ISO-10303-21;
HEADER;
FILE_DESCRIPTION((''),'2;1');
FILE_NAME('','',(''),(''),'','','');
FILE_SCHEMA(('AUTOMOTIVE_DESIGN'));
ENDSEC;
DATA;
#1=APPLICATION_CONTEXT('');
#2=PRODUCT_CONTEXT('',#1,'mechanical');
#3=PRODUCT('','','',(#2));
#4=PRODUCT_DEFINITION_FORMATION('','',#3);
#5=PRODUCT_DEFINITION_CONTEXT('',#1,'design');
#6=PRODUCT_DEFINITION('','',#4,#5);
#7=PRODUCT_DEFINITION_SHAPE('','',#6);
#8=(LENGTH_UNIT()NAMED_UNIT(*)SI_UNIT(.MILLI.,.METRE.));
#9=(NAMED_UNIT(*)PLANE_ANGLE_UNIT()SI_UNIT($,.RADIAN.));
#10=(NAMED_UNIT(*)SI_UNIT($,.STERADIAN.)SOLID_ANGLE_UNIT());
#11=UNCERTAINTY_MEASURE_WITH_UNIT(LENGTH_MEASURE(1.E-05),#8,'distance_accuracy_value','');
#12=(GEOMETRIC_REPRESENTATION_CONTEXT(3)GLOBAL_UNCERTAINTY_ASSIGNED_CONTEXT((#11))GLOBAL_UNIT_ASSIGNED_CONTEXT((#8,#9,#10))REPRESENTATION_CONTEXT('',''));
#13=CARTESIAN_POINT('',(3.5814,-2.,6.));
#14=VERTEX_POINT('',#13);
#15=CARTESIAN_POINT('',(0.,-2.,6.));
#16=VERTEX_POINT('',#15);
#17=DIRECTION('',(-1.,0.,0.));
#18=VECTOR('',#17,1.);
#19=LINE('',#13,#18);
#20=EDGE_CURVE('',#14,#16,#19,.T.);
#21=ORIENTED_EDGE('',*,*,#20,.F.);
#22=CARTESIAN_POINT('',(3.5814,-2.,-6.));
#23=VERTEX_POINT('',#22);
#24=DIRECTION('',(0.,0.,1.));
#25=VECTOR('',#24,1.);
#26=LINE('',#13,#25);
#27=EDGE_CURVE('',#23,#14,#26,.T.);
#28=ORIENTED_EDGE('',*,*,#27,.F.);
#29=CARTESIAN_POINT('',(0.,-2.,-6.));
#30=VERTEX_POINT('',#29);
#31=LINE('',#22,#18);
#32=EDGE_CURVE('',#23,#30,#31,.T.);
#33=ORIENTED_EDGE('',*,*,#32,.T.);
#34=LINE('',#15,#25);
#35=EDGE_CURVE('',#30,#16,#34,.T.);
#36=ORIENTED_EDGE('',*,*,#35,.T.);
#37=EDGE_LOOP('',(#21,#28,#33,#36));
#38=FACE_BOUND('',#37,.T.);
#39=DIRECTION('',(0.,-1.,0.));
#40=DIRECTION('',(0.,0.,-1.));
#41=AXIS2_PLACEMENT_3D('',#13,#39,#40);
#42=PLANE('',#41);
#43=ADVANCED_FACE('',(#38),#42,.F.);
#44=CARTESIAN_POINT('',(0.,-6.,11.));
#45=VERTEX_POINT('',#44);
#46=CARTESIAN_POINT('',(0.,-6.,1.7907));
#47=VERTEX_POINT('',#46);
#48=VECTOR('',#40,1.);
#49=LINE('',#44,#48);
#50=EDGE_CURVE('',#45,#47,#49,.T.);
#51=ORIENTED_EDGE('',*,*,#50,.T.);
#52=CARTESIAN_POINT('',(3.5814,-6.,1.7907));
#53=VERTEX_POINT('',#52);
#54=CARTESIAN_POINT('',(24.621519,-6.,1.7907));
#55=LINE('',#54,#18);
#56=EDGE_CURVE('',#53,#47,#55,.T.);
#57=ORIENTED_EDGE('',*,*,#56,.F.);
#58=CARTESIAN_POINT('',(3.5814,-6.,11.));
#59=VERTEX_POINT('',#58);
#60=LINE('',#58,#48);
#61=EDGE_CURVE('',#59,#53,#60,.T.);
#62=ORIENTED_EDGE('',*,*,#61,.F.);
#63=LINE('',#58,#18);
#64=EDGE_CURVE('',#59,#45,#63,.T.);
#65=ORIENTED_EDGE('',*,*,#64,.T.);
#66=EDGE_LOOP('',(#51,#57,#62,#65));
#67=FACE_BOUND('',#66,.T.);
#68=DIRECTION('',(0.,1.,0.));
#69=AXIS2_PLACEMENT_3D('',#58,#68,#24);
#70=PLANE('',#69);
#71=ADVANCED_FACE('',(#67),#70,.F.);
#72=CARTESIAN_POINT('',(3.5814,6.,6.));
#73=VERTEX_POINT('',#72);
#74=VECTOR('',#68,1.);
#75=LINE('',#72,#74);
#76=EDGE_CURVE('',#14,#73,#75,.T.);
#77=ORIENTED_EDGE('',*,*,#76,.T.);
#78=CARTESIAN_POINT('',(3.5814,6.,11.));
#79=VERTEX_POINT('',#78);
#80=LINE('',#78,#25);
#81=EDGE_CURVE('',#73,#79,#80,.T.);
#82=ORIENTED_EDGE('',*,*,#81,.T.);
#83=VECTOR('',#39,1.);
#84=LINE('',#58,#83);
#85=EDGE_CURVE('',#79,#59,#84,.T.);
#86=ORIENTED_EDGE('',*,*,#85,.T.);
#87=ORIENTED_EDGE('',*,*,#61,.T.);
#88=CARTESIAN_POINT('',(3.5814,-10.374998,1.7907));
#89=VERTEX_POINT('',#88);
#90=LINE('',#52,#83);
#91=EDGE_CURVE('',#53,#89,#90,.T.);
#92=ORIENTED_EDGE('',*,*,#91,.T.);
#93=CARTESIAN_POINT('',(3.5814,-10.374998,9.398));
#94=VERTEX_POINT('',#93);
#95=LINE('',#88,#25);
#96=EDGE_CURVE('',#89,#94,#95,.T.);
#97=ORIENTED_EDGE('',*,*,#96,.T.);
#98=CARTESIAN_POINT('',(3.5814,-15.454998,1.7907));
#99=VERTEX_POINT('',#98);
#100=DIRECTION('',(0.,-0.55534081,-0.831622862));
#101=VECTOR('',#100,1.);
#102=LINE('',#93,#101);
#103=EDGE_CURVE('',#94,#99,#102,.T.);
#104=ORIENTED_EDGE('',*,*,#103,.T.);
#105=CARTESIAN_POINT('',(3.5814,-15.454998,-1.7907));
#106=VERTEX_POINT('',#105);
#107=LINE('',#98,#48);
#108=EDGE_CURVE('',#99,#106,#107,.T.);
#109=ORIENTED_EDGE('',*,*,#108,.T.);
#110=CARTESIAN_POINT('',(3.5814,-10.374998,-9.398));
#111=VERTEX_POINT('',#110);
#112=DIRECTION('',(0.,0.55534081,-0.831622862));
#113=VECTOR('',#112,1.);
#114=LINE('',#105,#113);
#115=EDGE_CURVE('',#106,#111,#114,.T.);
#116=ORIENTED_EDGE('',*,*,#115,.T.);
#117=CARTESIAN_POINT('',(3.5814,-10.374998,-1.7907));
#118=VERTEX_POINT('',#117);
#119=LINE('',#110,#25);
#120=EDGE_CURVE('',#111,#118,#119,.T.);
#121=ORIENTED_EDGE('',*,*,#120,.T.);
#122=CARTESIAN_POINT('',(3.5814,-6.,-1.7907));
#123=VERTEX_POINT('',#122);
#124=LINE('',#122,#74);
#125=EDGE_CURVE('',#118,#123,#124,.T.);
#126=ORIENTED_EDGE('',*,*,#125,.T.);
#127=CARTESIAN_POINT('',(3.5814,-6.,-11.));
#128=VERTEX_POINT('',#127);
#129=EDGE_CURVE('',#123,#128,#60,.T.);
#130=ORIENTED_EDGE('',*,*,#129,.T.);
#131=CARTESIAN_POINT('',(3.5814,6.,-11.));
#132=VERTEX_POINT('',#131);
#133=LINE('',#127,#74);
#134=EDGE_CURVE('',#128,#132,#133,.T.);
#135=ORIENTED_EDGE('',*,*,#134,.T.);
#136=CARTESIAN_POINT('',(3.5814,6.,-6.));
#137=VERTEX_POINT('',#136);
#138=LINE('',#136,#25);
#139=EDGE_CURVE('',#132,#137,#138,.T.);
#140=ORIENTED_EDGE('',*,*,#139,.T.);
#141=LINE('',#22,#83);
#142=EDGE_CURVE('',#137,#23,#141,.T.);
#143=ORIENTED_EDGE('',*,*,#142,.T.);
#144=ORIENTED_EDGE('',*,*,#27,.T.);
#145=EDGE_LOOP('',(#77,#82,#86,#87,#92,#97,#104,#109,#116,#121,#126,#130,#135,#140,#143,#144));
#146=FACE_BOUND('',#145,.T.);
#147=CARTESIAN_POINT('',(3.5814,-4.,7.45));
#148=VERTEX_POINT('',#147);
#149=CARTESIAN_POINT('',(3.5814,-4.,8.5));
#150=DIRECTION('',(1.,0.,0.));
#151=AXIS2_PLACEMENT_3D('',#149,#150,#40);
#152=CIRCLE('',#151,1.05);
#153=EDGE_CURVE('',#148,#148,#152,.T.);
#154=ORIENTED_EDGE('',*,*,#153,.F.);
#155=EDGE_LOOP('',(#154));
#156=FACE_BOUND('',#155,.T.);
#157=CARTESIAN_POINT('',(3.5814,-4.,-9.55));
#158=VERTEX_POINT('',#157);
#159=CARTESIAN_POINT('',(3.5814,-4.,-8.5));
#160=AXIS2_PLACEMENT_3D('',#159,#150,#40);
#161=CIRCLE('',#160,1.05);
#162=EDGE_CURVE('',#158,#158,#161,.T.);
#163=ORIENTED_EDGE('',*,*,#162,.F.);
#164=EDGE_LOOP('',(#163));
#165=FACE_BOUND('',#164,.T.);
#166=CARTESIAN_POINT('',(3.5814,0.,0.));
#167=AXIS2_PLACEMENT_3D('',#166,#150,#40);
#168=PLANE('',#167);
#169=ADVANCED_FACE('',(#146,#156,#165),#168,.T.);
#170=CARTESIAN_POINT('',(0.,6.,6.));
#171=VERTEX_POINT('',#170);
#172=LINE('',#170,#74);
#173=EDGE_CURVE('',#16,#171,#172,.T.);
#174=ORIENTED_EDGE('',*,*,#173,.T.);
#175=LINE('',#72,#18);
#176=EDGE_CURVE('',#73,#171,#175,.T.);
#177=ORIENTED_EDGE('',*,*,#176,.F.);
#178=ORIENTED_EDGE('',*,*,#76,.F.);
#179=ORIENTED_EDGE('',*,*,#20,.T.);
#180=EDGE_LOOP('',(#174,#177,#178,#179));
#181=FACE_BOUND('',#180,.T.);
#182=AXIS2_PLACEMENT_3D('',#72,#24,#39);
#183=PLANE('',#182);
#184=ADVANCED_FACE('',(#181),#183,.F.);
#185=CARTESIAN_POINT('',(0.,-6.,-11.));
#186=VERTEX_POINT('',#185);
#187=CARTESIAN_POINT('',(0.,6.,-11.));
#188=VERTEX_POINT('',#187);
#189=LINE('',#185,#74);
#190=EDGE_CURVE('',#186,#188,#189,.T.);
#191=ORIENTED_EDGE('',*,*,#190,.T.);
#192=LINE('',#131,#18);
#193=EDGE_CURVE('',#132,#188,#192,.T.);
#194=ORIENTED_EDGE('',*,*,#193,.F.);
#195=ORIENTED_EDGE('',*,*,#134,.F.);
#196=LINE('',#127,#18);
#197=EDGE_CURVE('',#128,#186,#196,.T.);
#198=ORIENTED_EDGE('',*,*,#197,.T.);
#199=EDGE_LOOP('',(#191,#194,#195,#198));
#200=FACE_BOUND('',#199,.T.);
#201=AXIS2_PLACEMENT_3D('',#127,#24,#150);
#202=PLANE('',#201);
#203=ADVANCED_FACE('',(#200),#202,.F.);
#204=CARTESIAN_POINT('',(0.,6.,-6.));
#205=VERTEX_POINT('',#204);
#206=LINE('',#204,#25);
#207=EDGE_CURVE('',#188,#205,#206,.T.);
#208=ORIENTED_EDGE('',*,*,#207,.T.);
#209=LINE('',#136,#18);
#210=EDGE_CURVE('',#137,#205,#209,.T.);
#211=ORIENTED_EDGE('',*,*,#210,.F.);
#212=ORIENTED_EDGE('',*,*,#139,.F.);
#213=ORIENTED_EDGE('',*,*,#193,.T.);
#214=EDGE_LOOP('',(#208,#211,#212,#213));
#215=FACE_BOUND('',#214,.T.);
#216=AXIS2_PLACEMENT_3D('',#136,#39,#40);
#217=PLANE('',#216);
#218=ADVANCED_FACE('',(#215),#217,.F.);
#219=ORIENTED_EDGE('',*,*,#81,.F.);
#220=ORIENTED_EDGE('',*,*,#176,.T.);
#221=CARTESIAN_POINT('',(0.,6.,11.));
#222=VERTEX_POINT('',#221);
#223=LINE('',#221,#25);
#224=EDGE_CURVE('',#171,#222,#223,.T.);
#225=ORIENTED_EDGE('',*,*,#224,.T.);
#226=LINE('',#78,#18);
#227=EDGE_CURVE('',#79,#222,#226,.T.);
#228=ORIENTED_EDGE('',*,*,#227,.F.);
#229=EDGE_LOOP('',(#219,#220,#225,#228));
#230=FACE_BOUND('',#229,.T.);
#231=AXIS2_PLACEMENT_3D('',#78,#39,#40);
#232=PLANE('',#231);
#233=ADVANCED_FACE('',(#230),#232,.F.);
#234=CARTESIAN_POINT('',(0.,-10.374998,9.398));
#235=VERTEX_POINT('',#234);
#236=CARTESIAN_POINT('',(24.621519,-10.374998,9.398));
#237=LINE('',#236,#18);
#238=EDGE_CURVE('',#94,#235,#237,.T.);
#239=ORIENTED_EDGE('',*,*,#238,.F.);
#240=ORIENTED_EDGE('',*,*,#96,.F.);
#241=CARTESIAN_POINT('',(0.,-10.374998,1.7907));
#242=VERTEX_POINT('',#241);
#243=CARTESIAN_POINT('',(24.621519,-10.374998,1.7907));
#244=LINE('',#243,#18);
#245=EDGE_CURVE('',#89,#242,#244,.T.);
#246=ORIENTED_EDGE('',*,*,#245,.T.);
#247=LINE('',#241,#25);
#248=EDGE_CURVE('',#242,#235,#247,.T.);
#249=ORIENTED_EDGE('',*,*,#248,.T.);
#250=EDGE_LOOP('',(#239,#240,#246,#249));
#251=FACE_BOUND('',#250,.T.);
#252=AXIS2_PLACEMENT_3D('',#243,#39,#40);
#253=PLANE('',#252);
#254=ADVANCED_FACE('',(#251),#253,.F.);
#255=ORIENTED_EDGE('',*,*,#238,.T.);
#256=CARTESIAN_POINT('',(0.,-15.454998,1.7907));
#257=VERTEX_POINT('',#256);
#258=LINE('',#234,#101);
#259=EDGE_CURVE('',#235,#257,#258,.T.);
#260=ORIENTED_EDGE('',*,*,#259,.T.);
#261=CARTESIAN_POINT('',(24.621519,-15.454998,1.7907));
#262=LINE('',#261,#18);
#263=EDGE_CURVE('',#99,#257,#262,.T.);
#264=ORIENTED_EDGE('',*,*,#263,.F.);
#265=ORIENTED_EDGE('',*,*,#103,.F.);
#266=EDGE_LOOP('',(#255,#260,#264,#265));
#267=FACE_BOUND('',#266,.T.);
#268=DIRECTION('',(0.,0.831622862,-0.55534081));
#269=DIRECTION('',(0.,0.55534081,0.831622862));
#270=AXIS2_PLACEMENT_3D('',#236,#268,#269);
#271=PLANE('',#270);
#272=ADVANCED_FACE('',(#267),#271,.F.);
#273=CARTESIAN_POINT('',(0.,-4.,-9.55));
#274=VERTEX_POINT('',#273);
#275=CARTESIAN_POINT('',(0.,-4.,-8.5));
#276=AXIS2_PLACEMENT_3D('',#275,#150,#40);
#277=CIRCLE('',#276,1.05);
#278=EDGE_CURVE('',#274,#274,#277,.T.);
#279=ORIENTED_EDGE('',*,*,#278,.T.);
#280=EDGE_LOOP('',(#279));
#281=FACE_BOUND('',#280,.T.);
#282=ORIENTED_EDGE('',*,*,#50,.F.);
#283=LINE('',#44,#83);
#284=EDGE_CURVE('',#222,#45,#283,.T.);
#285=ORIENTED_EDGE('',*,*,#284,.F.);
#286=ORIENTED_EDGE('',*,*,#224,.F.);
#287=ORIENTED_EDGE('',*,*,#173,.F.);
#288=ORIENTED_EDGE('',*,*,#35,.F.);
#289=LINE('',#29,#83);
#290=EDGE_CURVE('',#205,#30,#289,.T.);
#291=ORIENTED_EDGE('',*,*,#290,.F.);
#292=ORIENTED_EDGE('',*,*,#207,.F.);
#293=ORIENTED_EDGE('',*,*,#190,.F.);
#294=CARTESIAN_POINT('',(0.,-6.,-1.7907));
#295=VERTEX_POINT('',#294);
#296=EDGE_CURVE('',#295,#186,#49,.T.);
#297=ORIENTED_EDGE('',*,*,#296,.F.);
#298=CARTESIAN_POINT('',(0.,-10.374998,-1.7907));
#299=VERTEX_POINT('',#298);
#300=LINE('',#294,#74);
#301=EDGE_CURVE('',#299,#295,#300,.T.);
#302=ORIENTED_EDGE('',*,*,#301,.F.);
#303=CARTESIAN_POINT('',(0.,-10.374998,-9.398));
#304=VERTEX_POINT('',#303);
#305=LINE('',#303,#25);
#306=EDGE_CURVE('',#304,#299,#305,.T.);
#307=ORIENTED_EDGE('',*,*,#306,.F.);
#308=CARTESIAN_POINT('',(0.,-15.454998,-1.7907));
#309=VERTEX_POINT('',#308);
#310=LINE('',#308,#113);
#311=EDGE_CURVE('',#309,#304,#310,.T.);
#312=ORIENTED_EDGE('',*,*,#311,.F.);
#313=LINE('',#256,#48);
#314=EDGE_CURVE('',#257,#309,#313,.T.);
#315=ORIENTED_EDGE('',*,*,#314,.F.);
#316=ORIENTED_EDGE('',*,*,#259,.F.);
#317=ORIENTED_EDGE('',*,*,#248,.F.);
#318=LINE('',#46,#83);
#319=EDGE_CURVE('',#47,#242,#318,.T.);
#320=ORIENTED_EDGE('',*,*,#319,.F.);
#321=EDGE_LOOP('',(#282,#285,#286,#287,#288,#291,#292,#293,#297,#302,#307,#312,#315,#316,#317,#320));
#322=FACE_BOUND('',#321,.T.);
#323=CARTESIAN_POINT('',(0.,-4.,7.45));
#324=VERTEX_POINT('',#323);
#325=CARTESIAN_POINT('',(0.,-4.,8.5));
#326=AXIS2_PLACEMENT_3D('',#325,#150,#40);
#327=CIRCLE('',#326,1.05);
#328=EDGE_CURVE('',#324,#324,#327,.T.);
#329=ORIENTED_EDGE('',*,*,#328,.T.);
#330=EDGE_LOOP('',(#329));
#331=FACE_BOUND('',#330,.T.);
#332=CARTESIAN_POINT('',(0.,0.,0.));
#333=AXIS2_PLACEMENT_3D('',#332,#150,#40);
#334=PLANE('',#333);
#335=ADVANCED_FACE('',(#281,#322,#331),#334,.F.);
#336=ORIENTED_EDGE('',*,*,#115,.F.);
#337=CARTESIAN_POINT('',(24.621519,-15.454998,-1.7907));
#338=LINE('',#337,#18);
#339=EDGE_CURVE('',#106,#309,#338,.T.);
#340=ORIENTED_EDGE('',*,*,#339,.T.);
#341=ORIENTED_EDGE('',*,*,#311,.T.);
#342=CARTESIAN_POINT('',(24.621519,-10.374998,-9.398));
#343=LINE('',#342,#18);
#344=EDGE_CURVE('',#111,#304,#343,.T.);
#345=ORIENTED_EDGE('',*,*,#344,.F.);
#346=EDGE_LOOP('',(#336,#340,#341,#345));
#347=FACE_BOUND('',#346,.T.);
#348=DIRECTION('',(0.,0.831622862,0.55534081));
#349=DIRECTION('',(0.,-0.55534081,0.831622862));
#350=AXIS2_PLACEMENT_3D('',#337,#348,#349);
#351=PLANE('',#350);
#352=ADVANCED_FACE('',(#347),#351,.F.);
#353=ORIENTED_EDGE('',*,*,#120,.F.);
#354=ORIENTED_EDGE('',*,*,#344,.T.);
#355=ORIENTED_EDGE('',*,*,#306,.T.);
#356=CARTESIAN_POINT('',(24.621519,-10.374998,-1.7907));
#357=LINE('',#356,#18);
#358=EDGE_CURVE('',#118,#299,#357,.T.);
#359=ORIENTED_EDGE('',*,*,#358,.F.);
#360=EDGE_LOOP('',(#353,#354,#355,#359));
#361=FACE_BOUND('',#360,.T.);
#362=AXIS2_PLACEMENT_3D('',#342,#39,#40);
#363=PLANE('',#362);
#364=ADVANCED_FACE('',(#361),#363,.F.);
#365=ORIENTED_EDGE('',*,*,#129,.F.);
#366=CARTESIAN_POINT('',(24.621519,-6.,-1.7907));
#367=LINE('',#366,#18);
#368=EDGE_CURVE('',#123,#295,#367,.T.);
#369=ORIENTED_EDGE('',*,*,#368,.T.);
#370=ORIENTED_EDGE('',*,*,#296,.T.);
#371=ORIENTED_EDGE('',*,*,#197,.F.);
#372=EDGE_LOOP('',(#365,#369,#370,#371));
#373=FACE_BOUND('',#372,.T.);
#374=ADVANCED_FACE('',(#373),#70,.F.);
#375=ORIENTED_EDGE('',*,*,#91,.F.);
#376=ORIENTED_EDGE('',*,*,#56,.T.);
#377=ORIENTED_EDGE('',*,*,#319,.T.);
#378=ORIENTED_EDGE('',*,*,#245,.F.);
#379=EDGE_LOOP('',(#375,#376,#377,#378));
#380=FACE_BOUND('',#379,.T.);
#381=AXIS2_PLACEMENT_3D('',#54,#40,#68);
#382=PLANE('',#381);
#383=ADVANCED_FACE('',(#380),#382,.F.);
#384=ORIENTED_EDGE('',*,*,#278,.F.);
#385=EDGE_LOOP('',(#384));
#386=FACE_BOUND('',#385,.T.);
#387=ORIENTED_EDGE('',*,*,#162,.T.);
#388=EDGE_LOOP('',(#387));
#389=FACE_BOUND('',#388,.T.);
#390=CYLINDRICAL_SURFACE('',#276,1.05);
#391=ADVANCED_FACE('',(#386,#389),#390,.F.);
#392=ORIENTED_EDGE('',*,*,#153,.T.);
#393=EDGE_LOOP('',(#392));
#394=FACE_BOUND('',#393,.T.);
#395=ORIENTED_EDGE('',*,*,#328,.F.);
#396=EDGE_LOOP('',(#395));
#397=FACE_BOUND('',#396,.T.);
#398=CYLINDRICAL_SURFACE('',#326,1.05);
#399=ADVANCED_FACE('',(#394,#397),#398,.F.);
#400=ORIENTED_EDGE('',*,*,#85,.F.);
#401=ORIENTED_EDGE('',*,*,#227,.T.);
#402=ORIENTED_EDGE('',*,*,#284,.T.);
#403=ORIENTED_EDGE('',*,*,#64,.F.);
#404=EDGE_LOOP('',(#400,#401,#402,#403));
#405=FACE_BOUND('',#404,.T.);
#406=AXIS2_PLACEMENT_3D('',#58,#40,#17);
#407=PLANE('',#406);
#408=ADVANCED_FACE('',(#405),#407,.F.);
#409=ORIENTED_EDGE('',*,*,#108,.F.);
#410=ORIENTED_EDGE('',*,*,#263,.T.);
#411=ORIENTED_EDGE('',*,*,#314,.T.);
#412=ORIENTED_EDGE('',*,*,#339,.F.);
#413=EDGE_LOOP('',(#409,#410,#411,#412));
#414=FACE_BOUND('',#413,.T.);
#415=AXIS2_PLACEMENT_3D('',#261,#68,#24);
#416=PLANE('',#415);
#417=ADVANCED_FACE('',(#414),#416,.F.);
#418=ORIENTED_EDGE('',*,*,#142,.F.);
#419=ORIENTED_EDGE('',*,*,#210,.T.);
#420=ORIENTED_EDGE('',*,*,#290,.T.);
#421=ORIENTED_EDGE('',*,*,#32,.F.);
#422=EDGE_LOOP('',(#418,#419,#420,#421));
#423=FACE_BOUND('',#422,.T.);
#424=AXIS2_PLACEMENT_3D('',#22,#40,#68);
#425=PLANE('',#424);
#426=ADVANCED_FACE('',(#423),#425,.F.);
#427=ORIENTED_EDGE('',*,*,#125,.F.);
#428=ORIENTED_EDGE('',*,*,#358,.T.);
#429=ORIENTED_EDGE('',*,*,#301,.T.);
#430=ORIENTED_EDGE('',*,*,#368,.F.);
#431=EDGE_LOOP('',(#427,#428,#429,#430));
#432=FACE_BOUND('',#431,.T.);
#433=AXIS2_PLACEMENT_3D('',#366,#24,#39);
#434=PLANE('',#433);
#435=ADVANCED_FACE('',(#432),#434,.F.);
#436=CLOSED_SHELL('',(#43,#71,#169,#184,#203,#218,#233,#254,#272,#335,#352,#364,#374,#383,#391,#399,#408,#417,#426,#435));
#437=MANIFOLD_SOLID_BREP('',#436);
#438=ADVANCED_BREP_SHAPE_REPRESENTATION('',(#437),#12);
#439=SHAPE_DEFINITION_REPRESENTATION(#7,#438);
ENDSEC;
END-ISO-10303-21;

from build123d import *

# Parameters (mm, degrees)
BOSS_EXTRUDE1_DEPTH = 3.5814
SKETCH7_R           = 1.05
CUT_EXTRUDE5_DEPTH  = 14.03174685
BOSS_EXTRUDE3_DEPTH = 3.5814


with BuildPart() as part:
    # Sketch1 → Boss-Extrude1 (new body)
    with BuildSketch(Plane(origin=(0, 0, 0), x_dir=(0, 0, -1), z_dir=(1, 0, 0))):
        Polygon((-6, 6), (-6, -2), (6, -2), (6, 6), (11, 6), (11, -6), (-11, -6), (-11, 6), align=None)
    extrude(amount=BOSS_EXTRUDE1_DEPTH)

    # Sketch7 → Cut-Extrude5 (cut, through all)
    with BuildSketch(Plane(origin=(3.5814, 0, 0), x_dir=(0, 0, -1), z_dir=(1, 0, 0))):
        with Locations((-8.5, -4)):
            Circle(SKETCH7_R)
        with Locations((8.5, -4)):
            Circle(SKETCH7_R)
    extrude(amount=-CUT_EXTRUDE5_DEPTH, mode=Mode.SUBTRACT)

    # Sketch8 → Boss-Extrude3 (add)
    with BuildSketch(Plane(origin=(0, 0, 0), x_dir=(0, 0, -1), z_dir=(1, 0, 0))):
        Polygon((-1.7907, -10.3749976), (-9.398, -10.3749976), (-1.7907, -15.4549976), (1.7907, -15.4549976), (9.398, -10.3749976), (1.7907, -10.3749976), (1.7907, -6), (-1.7907, -6), align=None)
    extrude(amount=BOSS_EXTRUDE3_DEPTH)


solid = part.part
